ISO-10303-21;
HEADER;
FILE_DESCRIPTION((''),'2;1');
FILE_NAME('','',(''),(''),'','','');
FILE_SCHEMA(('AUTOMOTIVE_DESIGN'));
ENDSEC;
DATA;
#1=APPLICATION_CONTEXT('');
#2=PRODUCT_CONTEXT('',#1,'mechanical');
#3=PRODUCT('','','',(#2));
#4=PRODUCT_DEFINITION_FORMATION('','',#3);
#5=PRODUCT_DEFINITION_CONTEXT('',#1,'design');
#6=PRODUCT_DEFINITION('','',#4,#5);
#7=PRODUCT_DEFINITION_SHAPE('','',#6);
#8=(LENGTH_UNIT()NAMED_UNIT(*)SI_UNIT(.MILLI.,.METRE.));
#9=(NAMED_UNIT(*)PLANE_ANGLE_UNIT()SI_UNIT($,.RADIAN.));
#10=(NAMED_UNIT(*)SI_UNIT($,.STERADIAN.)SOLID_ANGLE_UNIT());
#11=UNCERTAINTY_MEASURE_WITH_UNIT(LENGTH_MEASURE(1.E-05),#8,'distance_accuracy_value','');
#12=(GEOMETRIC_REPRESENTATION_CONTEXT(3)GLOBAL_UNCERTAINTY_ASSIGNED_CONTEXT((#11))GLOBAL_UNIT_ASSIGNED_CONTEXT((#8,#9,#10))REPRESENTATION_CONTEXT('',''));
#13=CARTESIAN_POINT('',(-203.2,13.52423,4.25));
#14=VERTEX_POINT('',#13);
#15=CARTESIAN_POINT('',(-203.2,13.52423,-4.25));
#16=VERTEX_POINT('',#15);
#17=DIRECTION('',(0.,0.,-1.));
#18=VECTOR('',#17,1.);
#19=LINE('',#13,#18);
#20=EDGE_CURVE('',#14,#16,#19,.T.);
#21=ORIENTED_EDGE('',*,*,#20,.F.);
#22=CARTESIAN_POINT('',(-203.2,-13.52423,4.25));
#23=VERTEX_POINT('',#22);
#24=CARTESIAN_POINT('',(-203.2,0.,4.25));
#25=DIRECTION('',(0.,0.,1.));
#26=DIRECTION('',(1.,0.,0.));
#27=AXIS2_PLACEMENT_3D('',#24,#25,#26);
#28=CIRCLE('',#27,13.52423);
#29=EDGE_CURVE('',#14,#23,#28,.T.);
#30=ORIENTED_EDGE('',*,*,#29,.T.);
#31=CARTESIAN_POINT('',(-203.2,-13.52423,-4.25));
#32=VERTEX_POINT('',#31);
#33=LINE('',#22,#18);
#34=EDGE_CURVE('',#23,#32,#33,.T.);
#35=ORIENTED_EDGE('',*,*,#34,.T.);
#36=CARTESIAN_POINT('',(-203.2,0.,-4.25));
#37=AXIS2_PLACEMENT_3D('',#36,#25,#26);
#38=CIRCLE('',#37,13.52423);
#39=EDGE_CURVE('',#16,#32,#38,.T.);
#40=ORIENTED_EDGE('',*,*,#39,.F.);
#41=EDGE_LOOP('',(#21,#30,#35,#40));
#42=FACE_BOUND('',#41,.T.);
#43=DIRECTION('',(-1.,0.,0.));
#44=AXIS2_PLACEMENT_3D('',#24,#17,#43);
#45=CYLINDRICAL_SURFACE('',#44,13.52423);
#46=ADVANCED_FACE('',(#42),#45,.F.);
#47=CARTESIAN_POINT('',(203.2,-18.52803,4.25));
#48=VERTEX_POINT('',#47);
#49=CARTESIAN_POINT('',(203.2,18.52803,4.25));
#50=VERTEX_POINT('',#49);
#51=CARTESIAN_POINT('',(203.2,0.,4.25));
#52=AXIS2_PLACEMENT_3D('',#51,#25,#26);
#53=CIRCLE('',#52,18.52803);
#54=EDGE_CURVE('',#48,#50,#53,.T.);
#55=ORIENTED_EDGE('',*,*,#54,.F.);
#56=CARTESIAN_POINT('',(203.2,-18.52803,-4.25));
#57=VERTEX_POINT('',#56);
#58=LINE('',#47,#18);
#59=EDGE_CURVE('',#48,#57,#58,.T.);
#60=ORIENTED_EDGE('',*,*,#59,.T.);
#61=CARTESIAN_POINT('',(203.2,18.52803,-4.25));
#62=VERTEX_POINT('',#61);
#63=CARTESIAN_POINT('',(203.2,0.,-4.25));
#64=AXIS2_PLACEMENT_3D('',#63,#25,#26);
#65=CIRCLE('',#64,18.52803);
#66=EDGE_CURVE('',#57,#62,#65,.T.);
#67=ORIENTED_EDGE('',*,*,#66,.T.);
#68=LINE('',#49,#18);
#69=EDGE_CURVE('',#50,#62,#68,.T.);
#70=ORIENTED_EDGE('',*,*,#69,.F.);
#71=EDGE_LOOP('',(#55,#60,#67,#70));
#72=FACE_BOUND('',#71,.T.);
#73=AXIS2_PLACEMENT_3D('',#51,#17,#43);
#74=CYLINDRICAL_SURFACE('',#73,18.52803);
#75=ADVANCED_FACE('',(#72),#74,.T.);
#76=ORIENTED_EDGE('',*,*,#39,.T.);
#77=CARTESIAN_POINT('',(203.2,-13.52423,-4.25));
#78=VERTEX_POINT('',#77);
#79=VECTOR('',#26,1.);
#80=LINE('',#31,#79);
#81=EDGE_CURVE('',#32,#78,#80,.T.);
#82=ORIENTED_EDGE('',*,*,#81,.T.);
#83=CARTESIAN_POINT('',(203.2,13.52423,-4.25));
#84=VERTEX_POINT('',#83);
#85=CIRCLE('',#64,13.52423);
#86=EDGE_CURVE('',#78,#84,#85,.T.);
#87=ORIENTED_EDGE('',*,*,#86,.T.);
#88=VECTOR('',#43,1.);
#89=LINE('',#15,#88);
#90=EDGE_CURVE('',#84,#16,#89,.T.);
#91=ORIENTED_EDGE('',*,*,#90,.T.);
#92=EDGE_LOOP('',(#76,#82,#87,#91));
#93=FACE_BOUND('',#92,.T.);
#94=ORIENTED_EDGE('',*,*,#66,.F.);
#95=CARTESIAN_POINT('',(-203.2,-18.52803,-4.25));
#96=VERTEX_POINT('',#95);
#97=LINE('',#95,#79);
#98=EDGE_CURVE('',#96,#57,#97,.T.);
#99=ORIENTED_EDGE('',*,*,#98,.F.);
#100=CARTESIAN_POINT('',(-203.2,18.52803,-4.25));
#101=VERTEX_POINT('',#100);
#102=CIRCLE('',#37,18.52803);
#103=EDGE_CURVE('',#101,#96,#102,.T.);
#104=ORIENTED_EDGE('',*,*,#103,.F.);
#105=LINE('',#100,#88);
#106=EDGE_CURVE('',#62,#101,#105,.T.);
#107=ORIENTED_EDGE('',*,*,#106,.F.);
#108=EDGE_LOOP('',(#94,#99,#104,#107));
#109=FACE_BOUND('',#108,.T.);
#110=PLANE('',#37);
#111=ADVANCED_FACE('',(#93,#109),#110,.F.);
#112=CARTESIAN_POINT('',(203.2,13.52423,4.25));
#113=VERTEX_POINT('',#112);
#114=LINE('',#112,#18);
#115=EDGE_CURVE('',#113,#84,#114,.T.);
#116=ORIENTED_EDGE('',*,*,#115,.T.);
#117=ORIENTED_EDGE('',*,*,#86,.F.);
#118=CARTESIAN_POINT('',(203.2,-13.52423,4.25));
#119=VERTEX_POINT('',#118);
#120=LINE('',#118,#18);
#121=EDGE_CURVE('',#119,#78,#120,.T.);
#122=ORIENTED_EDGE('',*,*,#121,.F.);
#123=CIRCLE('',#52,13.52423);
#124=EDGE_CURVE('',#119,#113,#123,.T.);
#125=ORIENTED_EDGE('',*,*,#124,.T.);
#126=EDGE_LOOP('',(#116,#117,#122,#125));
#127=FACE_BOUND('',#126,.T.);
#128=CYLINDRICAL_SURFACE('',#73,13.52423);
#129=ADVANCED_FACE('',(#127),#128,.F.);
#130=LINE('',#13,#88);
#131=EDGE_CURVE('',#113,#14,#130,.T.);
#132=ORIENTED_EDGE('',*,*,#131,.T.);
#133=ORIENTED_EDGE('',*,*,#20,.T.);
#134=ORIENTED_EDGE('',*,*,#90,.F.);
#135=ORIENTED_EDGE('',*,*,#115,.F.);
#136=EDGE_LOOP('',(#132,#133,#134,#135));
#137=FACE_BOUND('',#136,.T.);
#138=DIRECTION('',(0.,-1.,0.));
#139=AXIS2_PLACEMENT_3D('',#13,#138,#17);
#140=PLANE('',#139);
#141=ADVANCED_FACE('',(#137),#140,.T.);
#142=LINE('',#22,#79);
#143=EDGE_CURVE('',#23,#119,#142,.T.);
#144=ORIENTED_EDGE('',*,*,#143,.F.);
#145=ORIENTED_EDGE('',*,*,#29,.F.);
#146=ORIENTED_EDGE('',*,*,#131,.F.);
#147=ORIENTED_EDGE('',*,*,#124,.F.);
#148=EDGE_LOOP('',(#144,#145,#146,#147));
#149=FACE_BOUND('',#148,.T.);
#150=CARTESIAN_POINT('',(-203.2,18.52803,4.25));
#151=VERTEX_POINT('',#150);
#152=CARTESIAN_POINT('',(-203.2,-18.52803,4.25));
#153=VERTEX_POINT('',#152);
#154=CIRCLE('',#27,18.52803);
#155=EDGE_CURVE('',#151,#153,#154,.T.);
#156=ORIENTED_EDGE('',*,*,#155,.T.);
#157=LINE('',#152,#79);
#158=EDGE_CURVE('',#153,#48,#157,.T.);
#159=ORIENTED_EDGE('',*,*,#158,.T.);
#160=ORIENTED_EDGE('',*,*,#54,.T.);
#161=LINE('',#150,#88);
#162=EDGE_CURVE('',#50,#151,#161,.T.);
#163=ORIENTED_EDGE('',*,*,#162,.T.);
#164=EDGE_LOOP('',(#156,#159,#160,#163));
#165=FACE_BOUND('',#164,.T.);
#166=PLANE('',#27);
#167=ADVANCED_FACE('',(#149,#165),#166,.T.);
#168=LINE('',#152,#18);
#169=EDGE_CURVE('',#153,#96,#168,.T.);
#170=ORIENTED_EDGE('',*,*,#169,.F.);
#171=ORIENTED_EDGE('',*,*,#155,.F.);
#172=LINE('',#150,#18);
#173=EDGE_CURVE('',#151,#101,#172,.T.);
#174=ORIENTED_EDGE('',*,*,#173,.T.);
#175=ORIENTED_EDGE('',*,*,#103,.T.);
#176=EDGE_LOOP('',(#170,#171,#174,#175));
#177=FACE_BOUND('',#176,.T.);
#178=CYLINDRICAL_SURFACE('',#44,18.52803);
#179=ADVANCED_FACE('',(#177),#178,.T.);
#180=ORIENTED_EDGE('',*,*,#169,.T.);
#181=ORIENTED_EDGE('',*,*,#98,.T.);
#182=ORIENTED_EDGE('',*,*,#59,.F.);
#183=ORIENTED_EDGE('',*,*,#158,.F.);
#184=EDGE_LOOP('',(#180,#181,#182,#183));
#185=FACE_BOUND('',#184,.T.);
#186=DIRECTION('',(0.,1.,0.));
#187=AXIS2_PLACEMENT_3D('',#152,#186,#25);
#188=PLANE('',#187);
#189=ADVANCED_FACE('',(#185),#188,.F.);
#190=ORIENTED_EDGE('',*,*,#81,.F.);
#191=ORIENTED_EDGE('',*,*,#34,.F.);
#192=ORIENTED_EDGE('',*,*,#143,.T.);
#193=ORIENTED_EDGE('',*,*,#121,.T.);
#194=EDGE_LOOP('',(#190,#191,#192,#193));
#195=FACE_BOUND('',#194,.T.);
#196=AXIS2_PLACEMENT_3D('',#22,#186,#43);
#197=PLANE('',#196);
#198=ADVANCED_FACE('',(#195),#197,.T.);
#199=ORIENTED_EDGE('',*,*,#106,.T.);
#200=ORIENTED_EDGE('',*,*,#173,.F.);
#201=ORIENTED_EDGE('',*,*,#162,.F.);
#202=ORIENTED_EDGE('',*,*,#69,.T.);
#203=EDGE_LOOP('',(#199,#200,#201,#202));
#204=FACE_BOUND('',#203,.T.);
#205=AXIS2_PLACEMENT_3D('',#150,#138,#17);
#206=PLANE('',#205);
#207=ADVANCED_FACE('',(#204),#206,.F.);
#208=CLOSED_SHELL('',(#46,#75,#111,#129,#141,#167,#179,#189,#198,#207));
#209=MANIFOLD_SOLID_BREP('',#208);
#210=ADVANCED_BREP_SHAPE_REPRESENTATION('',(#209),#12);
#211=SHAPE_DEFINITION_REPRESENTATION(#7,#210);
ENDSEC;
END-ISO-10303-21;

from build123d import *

# Parameters (mm, degrees)
BOSS_EXTRUDE1_DEPTH = 4.25


with BuildPart() as part:
    # Sketch1 → Boss-Extrude1 (new, symmetric)
    with BuildSketch(Plane.XY):
        with BuildLine():
            Line((-203.2, 18.52803), (203.2, 18.52803))
            ThreePointArc((203.2, 18.52803), (221.72803, 0), (203.2, -18.52803))
            Line((203.2, -18.52803), (-203.2, -18.52803))
            ThreePointArc((-203.2, -18.52803), (-221.72803, 0), (-203.2, 18.52803))
        make_face()
        with BuildLine():
            Line((-203.2, 13.52423), (203.2, 13.52423))
            ThreePointArc((203.2, 13.52423), (216.72423, 0), (203.2, -13.52423))
            Line((203.2, -13.52423), (-203.2, -13.52423))
            ThreePointArc((-203.2, -13.52423), (-216.72423, 0), (-203.2, 13.52423))
        make_face(mode=Mode.SUBTRACT)
    extrude(amount=BOSS_EXTRUDE1_DEPTH, both=True)


solid = part.part
